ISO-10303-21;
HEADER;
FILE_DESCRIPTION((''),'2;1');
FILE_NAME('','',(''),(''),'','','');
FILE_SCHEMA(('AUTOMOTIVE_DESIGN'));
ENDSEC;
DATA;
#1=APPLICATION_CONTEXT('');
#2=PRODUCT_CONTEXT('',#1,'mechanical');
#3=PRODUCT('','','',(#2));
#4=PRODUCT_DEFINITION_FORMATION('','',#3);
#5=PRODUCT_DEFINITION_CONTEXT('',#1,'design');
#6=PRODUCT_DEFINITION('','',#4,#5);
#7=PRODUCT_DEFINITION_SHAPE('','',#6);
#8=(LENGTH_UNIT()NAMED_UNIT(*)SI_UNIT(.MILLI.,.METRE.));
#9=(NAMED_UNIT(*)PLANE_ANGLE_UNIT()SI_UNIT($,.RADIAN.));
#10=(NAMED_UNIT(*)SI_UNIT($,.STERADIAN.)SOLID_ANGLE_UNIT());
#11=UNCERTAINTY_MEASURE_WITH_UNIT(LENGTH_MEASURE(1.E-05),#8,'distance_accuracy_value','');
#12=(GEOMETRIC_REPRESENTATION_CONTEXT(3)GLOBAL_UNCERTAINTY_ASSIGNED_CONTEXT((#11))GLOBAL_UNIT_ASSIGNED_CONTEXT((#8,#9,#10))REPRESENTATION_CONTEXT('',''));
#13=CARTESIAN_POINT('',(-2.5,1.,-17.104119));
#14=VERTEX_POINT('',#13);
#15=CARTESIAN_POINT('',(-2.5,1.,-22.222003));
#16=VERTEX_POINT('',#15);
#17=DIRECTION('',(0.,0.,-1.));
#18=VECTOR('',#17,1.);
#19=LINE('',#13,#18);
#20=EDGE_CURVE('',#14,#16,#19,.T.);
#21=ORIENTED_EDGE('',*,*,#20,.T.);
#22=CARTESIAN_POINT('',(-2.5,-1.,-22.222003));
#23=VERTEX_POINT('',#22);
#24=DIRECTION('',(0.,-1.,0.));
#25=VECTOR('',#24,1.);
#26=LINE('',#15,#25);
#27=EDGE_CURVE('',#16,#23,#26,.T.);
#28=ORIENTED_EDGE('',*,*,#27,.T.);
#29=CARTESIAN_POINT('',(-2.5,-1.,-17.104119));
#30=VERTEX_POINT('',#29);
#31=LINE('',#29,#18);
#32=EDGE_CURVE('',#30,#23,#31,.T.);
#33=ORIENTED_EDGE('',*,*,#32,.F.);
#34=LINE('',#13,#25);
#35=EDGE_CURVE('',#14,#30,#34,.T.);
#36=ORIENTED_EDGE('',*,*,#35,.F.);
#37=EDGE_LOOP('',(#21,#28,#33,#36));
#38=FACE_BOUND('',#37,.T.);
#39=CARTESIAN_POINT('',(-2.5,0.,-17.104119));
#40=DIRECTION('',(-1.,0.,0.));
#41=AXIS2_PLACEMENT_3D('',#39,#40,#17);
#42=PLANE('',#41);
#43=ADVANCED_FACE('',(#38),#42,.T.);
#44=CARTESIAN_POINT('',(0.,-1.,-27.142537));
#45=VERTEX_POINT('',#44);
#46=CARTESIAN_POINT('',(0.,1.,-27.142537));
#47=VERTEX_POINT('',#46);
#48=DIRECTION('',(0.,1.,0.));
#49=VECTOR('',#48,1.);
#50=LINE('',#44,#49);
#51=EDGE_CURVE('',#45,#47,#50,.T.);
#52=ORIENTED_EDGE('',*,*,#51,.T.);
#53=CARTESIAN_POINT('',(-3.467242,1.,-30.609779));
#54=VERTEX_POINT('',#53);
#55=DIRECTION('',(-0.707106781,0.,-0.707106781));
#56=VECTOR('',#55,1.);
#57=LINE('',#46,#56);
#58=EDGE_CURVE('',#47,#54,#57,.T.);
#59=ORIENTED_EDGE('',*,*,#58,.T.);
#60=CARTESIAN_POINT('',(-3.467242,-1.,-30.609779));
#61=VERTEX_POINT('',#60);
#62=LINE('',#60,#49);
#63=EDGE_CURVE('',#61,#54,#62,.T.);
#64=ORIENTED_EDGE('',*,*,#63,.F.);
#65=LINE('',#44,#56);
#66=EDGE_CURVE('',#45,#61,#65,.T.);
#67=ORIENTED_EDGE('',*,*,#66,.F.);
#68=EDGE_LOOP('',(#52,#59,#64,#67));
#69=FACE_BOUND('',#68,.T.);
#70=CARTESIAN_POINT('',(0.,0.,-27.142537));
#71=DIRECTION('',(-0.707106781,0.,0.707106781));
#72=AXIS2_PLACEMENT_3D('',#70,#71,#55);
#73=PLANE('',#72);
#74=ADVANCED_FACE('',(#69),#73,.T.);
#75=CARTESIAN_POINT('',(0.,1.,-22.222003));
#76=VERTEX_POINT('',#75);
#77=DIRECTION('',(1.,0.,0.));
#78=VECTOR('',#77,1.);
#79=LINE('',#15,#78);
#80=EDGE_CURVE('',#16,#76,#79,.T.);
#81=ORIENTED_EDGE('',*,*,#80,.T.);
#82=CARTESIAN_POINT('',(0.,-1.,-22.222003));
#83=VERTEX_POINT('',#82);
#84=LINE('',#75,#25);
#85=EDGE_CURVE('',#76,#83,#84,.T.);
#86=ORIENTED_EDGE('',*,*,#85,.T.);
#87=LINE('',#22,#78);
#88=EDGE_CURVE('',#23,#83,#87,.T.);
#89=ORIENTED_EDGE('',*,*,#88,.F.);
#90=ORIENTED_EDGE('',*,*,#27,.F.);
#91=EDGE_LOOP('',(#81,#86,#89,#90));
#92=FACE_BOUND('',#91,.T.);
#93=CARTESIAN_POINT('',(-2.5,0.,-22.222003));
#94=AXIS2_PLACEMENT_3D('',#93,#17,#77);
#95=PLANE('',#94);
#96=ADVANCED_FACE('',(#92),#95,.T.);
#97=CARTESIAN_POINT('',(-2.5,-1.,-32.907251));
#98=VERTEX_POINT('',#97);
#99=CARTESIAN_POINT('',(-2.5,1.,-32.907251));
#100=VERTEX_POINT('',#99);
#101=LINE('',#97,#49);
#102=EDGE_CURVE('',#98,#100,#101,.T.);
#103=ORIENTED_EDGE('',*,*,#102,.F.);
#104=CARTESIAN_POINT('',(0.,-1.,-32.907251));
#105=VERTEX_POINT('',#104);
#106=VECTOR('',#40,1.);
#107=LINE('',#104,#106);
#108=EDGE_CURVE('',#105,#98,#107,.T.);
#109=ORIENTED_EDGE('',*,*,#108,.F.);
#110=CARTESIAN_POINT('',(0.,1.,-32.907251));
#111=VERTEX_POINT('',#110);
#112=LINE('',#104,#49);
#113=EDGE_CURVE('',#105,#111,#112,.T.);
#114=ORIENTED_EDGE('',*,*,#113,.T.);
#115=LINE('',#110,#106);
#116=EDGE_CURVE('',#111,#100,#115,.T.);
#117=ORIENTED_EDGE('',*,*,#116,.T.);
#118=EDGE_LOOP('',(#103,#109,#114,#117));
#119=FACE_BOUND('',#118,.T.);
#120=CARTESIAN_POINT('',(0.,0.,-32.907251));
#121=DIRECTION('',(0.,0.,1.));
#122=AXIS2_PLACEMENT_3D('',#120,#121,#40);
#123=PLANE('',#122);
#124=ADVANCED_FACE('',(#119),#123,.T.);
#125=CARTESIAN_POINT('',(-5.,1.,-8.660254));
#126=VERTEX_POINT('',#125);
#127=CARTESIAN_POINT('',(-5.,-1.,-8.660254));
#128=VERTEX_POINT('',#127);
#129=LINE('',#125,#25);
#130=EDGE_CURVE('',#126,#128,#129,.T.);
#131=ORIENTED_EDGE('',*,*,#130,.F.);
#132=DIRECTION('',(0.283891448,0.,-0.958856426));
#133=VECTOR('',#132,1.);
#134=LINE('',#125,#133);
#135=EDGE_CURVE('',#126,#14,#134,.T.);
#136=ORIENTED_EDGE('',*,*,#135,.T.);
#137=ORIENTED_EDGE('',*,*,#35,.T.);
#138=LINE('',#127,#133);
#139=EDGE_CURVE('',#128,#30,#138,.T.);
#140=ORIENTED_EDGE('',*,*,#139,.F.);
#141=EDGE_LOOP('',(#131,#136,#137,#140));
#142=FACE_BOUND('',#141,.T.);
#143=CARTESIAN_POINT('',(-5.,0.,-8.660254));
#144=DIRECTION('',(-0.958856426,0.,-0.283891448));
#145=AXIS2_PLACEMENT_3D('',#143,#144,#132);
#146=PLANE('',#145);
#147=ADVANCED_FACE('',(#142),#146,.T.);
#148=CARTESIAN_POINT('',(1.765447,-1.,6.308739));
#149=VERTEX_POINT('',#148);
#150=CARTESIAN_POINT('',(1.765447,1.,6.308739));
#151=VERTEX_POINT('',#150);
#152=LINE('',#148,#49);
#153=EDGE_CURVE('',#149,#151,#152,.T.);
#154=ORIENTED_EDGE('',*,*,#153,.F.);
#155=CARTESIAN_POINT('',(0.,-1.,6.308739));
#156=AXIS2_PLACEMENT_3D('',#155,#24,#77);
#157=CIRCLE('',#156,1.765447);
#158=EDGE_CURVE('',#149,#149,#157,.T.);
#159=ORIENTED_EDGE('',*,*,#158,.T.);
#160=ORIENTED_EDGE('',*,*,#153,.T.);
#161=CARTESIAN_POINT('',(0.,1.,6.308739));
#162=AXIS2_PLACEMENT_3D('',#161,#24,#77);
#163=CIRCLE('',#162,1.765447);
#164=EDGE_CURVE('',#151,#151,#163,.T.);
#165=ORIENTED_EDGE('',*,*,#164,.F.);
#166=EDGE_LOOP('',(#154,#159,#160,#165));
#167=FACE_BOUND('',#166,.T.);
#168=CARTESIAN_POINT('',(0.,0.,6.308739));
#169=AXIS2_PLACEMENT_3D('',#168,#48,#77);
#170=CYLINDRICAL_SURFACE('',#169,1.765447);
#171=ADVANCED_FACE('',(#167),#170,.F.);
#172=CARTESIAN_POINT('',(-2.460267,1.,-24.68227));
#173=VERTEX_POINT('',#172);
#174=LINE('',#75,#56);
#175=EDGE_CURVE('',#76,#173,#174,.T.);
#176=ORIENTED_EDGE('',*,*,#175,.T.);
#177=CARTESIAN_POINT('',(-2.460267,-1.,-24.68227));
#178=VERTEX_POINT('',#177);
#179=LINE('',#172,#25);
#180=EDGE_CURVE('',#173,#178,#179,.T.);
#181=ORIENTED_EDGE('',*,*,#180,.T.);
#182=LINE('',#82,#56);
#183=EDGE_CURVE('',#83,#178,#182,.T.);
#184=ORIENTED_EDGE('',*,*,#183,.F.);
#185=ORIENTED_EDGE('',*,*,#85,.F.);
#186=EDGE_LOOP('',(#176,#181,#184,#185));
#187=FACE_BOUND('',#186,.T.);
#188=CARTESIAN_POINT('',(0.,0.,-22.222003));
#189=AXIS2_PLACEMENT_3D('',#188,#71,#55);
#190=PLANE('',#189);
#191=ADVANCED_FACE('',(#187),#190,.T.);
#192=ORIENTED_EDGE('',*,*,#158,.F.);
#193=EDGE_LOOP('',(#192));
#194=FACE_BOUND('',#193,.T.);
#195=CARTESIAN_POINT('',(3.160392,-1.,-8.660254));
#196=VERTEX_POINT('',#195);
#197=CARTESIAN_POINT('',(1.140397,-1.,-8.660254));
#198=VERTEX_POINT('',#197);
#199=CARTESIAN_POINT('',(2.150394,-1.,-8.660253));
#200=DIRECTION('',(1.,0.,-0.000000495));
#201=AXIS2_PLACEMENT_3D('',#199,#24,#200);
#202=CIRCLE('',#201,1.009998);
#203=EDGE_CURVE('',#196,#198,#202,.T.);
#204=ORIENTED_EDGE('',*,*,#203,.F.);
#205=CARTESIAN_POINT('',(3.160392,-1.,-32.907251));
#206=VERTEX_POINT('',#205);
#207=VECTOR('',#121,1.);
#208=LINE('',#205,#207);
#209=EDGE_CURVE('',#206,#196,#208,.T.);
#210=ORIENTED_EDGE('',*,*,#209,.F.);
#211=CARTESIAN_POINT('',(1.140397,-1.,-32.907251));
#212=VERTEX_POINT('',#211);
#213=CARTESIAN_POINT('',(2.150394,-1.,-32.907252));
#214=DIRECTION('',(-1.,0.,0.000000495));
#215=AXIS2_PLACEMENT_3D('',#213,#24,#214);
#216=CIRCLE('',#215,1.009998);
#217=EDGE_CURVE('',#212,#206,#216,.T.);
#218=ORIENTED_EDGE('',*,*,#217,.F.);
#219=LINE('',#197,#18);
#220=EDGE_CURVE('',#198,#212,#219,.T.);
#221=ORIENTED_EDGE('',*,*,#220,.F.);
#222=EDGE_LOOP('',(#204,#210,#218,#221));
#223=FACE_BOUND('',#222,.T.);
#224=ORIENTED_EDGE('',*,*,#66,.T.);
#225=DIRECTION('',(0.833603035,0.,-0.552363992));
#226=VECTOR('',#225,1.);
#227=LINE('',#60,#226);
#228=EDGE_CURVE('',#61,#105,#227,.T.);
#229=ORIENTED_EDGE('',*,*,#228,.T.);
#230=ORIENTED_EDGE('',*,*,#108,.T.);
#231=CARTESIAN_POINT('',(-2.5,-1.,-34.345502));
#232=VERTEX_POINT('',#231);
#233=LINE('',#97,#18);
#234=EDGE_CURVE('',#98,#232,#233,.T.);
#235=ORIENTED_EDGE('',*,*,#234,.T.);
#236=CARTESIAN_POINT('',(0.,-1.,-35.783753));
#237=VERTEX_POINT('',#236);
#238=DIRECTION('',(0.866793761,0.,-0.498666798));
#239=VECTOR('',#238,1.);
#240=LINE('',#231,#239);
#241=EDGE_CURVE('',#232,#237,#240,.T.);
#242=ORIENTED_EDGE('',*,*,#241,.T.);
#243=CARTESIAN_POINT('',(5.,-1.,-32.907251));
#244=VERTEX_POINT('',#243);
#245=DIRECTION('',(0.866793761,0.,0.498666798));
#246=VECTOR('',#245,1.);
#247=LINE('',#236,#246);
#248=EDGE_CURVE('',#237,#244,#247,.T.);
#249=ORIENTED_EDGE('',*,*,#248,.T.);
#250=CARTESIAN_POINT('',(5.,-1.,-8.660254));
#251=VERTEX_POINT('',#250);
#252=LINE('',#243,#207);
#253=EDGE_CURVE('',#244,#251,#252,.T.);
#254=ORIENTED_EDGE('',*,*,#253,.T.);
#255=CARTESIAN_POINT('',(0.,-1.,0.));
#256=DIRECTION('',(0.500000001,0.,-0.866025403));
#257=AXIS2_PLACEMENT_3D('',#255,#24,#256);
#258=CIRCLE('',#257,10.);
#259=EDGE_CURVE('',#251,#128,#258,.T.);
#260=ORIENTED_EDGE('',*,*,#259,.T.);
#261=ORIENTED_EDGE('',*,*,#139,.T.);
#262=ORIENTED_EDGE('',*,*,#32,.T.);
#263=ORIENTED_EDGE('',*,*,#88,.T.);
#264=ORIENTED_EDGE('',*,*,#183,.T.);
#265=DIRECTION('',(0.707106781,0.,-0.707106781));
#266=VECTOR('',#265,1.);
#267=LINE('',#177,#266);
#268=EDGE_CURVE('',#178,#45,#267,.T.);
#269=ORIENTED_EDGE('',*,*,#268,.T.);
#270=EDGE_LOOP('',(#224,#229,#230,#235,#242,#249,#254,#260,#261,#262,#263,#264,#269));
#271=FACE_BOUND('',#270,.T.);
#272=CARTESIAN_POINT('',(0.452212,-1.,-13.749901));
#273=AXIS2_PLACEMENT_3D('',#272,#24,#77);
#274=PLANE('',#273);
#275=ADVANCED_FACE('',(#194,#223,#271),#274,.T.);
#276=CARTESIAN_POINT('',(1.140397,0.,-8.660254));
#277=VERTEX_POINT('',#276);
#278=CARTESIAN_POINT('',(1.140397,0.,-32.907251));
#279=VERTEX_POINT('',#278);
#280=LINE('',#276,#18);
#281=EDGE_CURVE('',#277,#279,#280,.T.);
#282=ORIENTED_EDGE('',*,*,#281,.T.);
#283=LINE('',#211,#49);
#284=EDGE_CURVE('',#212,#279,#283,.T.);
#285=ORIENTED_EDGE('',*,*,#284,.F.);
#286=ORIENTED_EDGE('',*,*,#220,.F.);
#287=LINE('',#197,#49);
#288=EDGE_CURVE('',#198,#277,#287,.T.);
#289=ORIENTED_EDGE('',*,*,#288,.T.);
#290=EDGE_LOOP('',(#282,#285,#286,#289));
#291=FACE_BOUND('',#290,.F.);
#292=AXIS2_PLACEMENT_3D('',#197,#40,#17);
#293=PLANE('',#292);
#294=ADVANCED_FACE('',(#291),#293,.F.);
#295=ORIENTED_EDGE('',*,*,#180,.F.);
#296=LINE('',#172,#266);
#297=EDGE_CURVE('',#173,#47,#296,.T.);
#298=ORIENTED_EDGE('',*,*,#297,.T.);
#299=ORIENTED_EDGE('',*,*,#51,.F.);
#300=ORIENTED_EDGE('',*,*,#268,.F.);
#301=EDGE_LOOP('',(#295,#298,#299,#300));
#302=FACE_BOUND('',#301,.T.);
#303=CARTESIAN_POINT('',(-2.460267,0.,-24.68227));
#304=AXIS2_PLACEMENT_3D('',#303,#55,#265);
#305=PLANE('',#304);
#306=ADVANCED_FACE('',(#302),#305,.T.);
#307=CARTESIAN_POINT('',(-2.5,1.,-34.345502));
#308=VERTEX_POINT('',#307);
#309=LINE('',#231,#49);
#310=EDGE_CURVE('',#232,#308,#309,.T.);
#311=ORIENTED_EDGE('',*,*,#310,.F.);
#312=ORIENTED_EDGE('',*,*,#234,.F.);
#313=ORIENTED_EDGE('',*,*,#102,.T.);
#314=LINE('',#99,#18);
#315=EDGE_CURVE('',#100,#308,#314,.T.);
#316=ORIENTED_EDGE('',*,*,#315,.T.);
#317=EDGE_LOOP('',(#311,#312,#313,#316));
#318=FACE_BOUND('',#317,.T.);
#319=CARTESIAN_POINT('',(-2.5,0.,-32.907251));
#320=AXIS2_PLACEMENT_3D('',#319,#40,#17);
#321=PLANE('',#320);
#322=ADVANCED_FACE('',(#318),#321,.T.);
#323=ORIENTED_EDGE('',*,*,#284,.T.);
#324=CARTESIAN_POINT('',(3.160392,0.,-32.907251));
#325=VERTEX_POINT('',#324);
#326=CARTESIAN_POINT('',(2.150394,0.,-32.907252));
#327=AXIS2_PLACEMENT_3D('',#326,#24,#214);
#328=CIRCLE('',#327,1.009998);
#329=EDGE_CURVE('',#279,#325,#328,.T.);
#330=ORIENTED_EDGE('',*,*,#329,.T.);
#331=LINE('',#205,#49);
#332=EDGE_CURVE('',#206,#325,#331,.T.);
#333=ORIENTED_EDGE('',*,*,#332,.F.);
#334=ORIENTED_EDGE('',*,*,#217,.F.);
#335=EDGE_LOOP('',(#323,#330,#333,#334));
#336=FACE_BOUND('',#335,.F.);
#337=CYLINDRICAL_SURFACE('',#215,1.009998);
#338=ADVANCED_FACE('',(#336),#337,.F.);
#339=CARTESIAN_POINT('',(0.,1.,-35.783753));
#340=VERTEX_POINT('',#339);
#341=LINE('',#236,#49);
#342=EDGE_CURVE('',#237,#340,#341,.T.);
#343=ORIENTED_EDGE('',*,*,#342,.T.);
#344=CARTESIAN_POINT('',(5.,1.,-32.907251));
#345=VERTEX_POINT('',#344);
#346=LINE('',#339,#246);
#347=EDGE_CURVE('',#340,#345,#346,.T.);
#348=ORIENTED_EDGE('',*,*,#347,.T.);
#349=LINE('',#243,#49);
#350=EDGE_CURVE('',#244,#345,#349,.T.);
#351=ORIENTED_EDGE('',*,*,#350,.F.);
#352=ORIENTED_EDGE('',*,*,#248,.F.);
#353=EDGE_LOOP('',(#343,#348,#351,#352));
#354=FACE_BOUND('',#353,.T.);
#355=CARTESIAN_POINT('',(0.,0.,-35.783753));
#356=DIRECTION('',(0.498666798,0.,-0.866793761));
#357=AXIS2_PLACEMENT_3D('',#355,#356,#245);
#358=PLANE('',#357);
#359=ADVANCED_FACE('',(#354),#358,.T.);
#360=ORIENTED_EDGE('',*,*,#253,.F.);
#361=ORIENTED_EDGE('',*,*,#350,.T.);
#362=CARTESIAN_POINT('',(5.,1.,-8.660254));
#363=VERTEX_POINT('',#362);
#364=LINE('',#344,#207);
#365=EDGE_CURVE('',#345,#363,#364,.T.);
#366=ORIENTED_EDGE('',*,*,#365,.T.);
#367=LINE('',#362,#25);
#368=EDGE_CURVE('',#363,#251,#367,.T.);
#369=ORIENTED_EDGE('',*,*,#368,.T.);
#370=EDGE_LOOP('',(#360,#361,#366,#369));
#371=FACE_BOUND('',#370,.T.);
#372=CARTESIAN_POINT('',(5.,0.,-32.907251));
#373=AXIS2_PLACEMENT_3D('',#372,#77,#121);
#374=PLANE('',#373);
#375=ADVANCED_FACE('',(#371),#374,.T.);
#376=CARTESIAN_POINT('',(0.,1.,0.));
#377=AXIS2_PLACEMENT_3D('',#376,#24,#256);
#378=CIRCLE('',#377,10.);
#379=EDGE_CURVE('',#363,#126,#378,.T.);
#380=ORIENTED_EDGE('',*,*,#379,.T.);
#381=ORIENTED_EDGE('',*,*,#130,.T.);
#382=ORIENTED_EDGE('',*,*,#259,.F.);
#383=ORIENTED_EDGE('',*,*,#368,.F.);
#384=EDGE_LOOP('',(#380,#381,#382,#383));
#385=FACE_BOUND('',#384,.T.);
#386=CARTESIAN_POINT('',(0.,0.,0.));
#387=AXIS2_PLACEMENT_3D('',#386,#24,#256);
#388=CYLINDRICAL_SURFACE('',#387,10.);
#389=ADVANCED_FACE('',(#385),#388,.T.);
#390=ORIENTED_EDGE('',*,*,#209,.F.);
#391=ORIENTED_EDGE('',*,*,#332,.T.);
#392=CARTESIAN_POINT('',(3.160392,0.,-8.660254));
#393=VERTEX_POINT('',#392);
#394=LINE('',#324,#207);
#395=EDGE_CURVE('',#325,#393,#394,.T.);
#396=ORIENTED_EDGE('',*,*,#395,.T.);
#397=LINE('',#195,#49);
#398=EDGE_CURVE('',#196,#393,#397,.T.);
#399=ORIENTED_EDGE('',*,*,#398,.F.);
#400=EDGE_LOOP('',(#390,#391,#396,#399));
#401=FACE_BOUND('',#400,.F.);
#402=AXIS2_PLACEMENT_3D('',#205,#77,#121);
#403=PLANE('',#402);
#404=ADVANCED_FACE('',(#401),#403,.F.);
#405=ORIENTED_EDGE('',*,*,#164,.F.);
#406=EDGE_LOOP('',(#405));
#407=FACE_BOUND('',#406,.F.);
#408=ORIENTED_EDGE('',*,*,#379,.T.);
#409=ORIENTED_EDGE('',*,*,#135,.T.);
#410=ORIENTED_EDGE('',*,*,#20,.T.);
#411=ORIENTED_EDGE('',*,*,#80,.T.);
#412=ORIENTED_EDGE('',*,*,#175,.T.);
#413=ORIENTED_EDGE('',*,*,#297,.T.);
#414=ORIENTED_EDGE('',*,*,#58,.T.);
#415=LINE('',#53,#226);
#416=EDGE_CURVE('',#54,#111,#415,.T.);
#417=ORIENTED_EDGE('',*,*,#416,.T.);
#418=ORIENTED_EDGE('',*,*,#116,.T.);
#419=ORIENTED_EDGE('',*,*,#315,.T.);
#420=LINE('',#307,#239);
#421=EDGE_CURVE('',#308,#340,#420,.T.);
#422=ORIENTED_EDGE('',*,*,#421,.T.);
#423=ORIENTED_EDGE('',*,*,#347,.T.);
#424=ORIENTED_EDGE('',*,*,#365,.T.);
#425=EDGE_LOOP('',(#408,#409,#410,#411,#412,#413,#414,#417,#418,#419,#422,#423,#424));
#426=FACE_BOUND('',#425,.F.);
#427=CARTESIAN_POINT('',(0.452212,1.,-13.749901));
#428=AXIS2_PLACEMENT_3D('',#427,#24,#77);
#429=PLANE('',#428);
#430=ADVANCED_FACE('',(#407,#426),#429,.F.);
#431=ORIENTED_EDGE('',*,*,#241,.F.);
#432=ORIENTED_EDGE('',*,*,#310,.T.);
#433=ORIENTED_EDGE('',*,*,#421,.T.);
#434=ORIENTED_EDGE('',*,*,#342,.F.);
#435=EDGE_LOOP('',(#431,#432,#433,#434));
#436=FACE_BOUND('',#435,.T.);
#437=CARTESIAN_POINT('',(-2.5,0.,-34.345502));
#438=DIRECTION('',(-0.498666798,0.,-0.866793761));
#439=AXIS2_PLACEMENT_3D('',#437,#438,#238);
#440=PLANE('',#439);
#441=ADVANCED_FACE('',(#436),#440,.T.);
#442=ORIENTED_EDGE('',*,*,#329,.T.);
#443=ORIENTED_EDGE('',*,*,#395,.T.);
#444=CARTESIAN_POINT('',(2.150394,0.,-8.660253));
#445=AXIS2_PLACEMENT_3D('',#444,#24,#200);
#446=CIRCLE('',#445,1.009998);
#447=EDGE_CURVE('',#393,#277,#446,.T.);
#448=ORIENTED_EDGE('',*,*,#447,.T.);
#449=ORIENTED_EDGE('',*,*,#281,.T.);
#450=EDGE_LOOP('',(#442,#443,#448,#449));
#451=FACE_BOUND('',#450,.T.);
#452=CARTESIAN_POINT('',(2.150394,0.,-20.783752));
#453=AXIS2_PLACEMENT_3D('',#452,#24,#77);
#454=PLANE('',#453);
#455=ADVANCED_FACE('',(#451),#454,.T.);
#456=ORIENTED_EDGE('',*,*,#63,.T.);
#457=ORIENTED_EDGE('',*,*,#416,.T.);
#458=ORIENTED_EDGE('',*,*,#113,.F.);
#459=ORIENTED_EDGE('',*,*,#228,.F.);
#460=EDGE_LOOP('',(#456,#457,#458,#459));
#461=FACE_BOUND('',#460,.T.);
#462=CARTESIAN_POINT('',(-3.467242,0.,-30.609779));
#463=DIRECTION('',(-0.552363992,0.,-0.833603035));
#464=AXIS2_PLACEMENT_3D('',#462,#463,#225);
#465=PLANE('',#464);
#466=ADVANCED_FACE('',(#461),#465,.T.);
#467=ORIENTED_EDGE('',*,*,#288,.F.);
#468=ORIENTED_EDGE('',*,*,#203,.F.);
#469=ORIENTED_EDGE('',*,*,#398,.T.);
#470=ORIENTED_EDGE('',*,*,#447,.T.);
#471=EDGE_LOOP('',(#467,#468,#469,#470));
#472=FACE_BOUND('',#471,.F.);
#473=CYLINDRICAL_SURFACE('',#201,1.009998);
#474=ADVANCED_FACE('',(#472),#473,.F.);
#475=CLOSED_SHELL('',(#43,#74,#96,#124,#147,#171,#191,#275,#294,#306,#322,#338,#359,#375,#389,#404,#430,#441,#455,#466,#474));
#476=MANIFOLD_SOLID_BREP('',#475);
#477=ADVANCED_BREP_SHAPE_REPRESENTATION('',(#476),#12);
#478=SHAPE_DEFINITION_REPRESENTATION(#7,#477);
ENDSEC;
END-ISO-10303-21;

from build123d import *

# Parameters (mm, degrees)
F0_R     = 1.765447
F1_DEPTH = 1
F3_DEPTH = 1


with BuildPart() as f1:
    # F0 (on Front) → F1 (new body, symmetric)
    with BuildSketch(Plane.XZ):
        with BuildLine():
            Line((5, -32.907251), (5, -8.660254))
            ThreePointArc((5, -8.660254), (0, 10), (-5, -8.660254))
            Line((-5, -8.660254), (-2.5, -17.104119))
            Line((-2.5, -17.104119), (-2.5, -22.222003))
            Line((-2.5, -22.222003), (0, -22.222003))
            Line((0, -22.222003), (-2.460267, -24.68227))
            Line((-2.460267, -24.68227), (0, -27.142537))
            Line((0, -27.142537), (-3.467242, -30.609779))
            Line((-3.467242, -30.609779), (0, -32.907251))
            Line((0, -32.907251), (-2.5, -32.907251))
            Line((-2.5, -32.907251), (-2.5, -34.345502))
            Line((-2.5, -34.345502), (0, -35.783753))
            Line((0, -35.783753), (5, -32.907251))
        make_face()
        with Locations((0, 6.308739)):
            Circle(F0_R, mode=Mode.SUBTRACT)
    extrude(amount=F1_DEPTH, both=True)

    # F2 (on face) → F3 (cut)
    with BuildSketch(Plane.XZ.offset(1)):
        with BuildLine():
            Line((3.160392, -32.907251), (3.160392, -8.660254))
            ThreePointArc((3.160392, -8.660254), (2.150394, -7.650256), (1.140397, -8.660254))
            Line((1.140397, -8.660254), (1.140397, -32.907251))
            ThreePointArc((1.140397, -32.907251), (2.150394, -33.917249), (3.160392, -32.907251))
        make_face()
    extrude(amount=-F3_DEPTH, mode=Mode.SUBTRACT)


solid = f1.part
